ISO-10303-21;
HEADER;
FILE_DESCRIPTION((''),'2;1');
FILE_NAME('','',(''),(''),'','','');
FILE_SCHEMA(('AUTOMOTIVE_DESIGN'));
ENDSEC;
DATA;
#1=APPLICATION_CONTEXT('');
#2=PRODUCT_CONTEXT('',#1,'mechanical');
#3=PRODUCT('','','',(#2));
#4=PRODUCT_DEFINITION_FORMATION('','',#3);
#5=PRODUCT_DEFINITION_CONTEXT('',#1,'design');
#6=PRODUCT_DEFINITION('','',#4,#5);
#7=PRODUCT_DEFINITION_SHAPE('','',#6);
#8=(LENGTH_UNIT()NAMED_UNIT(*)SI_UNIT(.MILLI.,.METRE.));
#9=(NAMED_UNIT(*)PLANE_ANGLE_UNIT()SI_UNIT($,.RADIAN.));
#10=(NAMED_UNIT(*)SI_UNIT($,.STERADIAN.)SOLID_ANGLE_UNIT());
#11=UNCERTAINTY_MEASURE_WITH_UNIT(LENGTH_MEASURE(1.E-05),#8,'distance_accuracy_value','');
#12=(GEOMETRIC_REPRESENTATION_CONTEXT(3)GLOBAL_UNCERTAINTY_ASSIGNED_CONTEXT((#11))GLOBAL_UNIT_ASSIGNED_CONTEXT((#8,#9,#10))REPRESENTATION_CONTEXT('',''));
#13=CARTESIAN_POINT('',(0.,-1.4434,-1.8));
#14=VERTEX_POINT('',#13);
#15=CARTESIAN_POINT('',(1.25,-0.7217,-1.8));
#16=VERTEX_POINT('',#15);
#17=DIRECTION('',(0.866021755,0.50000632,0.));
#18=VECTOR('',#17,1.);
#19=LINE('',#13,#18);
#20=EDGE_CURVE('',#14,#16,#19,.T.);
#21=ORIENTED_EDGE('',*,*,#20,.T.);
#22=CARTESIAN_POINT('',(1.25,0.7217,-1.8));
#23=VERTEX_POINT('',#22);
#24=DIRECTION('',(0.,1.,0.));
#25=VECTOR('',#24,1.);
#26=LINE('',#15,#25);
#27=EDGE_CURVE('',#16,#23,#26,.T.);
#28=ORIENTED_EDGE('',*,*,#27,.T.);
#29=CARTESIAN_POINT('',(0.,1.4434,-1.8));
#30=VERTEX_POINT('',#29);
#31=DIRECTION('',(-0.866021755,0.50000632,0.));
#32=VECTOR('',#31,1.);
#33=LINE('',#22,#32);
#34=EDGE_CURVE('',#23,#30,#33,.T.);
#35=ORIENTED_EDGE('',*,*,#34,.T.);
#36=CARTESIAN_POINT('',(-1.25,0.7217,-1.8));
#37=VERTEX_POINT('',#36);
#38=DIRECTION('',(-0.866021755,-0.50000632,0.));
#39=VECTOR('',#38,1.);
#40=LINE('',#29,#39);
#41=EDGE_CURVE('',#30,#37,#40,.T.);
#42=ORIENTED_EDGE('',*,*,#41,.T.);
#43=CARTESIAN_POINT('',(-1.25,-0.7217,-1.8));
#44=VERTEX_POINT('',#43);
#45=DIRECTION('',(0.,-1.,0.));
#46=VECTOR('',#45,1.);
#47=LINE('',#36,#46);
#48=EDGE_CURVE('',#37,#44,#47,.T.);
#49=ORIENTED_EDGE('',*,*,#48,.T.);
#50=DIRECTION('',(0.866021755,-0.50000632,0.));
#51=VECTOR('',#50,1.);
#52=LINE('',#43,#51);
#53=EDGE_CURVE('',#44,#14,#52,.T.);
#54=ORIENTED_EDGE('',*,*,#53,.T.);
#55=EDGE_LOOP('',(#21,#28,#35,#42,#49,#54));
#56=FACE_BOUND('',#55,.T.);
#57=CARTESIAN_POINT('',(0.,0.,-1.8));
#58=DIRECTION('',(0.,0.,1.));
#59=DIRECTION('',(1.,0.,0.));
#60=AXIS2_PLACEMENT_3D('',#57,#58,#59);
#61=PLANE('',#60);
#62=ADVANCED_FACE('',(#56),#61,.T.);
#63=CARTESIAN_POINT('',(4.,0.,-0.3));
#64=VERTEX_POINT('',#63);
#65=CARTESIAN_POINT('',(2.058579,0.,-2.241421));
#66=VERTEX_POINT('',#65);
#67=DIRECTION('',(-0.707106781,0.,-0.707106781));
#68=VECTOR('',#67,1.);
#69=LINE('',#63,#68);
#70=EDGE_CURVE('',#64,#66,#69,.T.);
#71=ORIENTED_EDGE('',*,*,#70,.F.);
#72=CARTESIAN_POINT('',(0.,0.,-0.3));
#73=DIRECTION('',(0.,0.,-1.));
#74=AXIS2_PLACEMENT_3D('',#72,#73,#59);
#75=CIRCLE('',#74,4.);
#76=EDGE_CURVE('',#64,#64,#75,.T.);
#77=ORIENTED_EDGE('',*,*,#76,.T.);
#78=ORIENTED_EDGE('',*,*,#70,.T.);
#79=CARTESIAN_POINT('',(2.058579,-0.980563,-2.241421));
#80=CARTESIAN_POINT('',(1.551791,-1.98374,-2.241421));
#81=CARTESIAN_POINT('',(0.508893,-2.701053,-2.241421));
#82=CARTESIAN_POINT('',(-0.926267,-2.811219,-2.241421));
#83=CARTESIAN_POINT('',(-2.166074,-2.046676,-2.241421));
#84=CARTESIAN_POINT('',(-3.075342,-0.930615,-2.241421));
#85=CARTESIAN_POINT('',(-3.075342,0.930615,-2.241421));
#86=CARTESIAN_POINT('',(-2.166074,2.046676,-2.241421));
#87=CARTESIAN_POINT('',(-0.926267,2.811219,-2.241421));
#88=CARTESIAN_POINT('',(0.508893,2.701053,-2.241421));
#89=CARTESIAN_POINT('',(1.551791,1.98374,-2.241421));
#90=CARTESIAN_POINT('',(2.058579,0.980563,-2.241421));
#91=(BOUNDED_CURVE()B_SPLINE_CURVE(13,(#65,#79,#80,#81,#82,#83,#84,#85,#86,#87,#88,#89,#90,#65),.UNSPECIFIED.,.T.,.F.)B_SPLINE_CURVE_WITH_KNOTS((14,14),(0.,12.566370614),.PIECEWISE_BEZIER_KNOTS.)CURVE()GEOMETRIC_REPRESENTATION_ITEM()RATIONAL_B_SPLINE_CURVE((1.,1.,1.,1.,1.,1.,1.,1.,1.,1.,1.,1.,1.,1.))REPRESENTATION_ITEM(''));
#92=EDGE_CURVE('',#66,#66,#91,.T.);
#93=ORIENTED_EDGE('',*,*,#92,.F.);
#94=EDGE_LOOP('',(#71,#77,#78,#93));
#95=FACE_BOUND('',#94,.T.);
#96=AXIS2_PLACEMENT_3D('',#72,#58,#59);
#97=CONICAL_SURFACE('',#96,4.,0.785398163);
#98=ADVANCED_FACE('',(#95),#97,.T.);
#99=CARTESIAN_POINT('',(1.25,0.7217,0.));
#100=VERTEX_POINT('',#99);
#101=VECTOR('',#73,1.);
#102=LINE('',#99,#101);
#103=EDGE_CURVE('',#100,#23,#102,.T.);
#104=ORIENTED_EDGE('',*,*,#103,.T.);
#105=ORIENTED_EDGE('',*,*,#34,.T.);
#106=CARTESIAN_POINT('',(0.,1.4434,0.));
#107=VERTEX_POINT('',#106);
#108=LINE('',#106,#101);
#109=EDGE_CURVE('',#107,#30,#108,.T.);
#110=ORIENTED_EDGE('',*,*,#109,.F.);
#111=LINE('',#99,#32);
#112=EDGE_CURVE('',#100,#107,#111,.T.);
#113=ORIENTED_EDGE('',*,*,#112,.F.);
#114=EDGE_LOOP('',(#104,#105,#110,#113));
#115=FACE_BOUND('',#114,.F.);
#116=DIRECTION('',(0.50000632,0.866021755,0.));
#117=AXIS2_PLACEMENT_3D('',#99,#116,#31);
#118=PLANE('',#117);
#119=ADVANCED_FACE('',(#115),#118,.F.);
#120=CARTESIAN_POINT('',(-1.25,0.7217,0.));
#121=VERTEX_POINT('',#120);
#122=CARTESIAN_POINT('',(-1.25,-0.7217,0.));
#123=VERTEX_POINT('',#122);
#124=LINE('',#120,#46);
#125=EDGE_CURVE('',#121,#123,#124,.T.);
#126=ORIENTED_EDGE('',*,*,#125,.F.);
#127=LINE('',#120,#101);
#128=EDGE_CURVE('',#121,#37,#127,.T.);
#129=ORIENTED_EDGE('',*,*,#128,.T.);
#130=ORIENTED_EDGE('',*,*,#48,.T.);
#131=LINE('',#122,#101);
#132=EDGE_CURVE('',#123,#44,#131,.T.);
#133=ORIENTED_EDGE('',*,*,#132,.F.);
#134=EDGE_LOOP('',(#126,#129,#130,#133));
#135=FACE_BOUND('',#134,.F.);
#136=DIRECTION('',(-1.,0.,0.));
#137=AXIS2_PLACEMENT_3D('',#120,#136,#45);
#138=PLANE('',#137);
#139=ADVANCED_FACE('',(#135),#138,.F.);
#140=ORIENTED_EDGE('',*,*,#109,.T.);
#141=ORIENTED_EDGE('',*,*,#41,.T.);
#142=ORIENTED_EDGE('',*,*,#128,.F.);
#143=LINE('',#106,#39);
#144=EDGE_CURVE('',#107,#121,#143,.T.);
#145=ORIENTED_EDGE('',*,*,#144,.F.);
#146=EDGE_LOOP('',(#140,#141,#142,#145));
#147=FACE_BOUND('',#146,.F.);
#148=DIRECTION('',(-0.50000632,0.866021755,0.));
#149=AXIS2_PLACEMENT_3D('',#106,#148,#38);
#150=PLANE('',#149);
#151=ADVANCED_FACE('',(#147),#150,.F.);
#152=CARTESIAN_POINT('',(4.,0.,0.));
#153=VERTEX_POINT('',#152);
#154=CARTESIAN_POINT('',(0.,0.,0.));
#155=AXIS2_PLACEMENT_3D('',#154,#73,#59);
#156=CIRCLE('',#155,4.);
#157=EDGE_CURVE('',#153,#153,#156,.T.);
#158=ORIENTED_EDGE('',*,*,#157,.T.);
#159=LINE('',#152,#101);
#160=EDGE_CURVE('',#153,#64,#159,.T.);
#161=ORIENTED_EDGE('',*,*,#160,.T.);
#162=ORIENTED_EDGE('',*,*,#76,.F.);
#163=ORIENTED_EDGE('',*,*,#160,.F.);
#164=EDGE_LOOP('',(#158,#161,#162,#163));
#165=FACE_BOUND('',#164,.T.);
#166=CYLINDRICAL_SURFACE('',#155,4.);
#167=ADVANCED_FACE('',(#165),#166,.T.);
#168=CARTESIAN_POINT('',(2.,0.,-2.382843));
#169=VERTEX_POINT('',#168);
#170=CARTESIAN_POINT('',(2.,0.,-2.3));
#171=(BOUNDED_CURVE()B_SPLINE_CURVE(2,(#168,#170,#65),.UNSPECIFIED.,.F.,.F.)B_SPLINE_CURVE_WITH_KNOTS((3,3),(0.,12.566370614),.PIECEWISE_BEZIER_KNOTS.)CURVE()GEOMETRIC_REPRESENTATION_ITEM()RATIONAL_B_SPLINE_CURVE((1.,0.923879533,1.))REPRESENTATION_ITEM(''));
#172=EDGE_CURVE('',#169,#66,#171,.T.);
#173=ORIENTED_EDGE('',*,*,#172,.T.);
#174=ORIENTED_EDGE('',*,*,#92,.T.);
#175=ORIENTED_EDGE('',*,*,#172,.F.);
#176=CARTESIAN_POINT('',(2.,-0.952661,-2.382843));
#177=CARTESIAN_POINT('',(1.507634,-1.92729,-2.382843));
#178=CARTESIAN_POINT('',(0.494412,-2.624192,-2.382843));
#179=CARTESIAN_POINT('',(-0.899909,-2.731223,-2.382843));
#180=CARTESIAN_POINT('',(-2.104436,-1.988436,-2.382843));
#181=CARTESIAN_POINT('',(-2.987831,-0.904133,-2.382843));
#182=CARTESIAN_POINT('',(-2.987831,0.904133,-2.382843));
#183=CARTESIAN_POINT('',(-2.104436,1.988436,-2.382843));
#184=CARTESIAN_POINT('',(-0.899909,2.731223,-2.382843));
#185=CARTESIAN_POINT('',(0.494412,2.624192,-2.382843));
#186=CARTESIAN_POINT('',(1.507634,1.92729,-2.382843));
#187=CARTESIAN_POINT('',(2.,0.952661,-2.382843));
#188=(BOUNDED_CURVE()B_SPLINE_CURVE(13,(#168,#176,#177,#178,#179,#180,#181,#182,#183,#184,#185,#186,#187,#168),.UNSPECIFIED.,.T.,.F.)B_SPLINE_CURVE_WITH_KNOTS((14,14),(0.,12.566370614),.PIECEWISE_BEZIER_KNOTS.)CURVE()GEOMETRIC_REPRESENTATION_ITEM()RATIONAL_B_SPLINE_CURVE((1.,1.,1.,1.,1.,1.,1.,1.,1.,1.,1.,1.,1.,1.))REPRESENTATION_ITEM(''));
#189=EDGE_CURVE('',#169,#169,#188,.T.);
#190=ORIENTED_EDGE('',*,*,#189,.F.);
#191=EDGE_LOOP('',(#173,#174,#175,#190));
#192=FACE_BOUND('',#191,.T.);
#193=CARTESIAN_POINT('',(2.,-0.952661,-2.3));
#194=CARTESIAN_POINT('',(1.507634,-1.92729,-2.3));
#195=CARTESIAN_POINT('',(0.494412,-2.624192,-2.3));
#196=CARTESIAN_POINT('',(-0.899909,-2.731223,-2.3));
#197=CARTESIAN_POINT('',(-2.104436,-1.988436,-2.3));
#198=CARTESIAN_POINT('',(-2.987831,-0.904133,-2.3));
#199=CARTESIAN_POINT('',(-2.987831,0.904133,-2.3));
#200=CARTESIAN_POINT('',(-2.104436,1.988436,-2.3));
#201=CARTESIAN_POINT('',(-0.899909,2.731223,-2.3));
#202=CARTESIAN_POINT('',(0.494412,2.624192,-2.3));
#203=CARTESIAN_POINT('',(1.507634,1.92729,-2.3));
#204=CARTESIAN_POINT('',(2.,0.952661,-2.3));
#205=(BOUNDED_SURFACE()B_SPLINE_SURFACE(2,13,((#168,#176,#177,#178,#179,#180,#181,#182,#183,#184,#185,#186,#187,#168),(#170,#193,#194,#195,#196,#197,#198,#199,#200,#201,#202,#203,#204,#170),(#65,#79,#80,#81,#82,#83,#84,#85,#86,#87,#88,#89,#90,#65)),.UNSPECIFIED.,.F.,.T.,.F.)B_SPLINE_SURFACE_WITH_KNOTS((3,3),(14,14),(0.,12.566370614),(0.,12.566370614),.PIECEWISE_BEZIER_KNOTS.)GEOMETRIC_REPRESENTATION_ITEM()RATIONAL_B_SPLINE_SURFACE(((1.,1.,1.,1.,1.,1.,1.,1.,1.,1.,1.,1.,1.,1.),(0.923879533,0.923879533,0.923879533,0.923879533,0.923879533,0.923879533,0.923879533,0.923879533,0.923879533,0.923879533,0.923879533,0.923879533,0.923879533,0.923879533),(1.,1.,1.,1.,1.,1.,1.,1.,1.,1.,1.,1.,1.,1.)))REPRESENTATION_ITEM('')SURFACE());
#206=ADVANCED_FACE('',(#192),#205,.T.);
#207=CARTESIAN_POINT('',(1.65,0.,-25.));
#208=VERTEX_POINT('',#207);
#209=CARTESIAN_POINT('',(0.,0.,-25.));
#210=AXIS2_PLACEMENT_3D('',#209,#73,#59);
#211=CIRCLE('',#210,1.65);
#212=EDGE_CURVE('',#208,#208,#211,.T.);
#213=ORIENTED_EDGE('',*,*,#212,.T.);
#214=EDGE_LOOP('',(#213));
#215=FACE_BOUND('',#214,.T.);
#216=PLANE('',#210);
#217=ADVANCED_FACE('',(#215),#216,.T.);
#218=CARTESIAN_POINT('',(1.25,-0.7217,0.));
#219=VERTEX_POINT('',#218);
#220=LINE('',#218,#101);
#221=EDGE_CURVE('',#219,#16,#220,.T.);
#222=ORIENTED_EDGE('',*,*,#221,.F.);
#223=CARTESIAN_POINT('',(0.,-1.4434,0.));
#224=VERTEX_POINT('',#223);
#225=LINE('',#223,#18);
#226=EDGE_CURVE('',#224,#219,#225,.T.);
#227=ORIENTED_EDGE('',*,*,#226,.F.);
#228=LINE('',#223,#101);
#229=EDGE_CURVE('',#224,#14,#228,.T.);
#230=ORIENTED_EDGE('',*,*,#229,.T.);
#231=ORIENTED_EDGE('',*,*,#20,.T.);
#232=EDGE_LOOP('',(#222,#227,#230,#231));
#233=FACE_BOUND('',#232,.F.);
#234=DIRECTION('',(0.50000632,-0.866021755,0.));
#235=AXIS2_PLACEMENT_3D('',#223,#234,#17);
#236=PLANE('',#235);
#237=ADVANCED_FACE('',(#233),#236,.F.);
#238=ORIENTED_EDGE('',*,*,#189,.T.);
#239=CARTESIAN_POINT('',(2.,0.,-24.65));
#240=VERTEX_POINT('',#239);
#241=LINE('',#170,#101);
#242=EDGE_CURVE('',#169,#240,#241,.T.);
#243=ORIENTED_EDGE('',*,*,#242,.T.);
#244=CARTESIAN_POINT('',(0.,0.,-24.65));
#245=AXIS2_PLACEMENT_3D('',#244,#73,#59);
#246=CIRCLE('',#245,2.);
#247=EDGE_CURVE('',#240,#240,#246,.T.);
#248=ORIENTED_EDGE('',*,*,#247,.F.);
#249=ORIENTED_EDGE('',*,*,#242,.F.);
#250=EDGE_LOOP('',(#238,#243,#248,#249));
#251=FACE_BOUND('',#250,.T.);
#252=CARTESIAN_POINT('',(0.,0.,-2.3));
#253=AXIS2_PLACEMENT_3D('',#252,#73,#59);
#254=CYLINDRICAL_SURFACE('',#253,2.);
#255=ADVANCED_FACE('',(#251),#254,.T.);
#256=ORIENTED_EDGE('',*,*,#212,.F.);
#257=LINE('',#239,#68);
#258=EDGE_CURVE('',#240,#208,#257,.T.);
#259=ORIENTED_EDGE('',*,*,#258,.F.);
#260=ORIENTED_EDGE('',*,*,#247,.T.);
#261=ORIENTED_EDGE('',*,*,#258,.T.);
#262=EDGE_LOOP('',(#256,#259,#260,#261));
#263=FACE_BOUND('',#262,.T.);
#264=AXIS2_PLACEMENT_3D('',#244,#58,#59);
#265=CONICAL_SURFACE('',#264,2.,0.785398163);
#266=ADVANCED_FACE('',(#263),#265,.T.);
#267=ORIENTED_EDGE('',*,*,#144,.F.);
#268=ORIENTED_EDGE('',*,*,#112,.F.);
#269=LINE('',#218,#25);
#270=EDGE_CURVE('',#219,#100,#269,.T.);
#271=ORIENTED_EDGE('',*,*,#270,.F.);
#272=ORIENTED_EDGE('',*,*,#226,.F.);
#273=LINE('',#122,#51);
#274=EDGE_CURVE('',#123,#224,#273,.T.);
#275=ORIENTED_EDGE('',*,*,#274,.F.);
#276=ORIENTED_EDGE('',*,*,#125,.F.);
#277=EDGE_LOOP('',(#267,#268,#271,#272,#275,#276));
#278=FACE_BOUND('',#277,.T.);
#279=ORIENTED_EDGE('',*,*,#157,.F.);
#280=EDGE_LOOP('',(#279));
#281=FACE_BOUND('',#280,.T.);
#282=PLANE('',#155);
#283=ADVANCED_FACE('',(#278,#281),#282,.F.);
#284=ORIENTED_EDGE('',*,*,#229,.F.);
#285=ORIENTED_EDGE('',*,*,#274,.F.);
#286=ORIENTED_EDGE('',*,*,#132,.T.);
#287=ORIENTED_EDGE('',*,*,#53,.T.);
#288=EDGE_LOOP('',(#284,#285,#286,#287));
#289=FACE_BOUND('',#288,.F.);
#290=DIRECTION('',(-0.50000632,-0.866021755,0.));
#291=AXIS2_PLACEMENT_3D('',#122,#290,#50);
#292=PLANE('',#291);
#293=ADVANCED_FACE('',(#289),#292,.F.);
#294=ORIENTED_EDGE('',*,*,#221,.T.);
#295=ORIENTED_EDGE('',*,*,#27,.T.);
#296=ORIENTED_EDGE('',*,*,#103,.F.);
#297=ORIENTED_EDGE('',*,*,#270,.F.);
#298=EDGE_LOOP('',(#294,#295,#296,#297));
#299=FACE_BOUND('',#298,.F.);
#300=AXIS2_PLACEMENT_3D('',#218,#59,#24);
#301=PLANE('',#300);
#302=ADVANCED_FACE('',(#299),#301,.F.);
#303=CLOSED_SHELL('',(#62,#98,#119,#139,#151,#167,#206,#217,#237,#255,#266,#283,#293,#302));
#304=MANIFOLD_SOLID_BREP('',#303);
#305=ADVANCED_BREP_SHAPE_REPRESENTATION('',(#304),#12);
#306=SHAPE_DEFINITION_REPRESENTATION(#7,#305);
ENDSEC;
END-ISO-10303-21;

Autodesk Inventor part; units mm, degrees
ref_plane "YZ Plane" through (0, 0, 0) normal (1, 0, 0) x (0, 1, 0)
sketch "Sketch1" plane through (0, 0, 0) normal (0, 1, 0) x (-1, 0, 0)
  point P0 (0, 0)
sketch "Sketch2" plane through (0, 0, 0) normal (0, 1, 0) x (-1, 0, 0)
  line L0 (-2, -25) -> (0, -25)
  line L1 (-2, -2.3) -> (-2, -25)
  line L2 (-4, -0.3) -> (-2, -2.3)
  line L3 (-4, 0) -> (-4, -0.3)
  line L4 (0, 0) -> (-4, 0)
  line L5 (0, -25) -> (0, 0)
  line L6 (0, -25) -> (0, 0)
  line L7 (0, -30) -> (0, 5) projected
  line L8 (0.8, 0) -> (-4.8, 0) projected
  dimension "d3" = 4
  dimension "d5" = 2
  dimension "d7" = 25
  dimension "ParC" = 0.3
  dimension "d22" = 0
  dimension "d23" = 0
  dimension "d43" = 45
revolve "Revolution1" add sketch "Sketch2" angle 360 about axis through (0, 0, -25) along (0, 0, -1)
sketch "Sketch3" plane through (0, 0, 0) normal (0, 0, 1) x (1, 0, 0)
  line L0 (-1.25, 0.7217) -> (-1.25, -0.7217)
  line L1 (0, 1.4434) -> (-1.25, 0.7217)
  line L2 (1.25, 0.7217) -> (0, 1.4434)
  line L3 (1.25, -0.7217) -> (1.25, 0.7217)
  line L4 (0, -1.4434) -> (1.25, -0.7217)
  line L5 (-1.25, -0.7217) -> (0, -1.4434)
  circle A0 centre (0, 0) radius 1.25 construction
  circle A1 centre (0, 0) radius 2 construction
  dimension "d11" = 2.5
  dimension "d13" = 120
  dimension "d15" = 120
extrude "Extrusion1" cut sketch "Sketch3" against normal blind 1.8
fillet "Fillet1" radius 0.2 1 edges at (-2, 0, -2.3)
chamfer "Chamfer1" distance 0.35 angle 45 1 edges at (-2, 0, -25) measured on face at (-0.9288, -1.7713, -17.4609)
thread "Thread1" size "M4x0.7" class "6g" standard "ISO Metric profile" length 14
ref_plane "MSC_PF1" through (0, 0, 0) normal (1, 0, 0) x (0, 1, 0)
ref_plane "MSC_PT1" through (0, 0, 0) normal (0, 0, -1) x (-1, 0, 0)
equation "\"d3\" = 0.5 * dk"
equation "\"d5\" = 0.5 * NND"
equation "\"d7\" = NLG"
equation "\"d43\" = 0.5 * ang"
equation "\"d18\" = r"
equation "\"d19\" = 0.5 * PTC"
equation "\"d39\" = 0.5 * PTC"
equation "\"d11\" = ParS"
equation "\"d16\" = ParT"
equation "\"NND\" = 4"
equation "\"PTC\" = 0.7"
equation "\"dk\" = 8"
equation "\"ParK\" = 2.3"
equation "\"ParS\" = 2.5"
equation "\"ParT\" = 1.8"
equation "\"r\" = 0.2"
equation "\"NLG\" = 25"
equation "\"ang\" = 90deg"
equation "\"THREADDIA\" = NND"
properties part number "DIN 7991 - M4x25" material "Steel, Mild"
